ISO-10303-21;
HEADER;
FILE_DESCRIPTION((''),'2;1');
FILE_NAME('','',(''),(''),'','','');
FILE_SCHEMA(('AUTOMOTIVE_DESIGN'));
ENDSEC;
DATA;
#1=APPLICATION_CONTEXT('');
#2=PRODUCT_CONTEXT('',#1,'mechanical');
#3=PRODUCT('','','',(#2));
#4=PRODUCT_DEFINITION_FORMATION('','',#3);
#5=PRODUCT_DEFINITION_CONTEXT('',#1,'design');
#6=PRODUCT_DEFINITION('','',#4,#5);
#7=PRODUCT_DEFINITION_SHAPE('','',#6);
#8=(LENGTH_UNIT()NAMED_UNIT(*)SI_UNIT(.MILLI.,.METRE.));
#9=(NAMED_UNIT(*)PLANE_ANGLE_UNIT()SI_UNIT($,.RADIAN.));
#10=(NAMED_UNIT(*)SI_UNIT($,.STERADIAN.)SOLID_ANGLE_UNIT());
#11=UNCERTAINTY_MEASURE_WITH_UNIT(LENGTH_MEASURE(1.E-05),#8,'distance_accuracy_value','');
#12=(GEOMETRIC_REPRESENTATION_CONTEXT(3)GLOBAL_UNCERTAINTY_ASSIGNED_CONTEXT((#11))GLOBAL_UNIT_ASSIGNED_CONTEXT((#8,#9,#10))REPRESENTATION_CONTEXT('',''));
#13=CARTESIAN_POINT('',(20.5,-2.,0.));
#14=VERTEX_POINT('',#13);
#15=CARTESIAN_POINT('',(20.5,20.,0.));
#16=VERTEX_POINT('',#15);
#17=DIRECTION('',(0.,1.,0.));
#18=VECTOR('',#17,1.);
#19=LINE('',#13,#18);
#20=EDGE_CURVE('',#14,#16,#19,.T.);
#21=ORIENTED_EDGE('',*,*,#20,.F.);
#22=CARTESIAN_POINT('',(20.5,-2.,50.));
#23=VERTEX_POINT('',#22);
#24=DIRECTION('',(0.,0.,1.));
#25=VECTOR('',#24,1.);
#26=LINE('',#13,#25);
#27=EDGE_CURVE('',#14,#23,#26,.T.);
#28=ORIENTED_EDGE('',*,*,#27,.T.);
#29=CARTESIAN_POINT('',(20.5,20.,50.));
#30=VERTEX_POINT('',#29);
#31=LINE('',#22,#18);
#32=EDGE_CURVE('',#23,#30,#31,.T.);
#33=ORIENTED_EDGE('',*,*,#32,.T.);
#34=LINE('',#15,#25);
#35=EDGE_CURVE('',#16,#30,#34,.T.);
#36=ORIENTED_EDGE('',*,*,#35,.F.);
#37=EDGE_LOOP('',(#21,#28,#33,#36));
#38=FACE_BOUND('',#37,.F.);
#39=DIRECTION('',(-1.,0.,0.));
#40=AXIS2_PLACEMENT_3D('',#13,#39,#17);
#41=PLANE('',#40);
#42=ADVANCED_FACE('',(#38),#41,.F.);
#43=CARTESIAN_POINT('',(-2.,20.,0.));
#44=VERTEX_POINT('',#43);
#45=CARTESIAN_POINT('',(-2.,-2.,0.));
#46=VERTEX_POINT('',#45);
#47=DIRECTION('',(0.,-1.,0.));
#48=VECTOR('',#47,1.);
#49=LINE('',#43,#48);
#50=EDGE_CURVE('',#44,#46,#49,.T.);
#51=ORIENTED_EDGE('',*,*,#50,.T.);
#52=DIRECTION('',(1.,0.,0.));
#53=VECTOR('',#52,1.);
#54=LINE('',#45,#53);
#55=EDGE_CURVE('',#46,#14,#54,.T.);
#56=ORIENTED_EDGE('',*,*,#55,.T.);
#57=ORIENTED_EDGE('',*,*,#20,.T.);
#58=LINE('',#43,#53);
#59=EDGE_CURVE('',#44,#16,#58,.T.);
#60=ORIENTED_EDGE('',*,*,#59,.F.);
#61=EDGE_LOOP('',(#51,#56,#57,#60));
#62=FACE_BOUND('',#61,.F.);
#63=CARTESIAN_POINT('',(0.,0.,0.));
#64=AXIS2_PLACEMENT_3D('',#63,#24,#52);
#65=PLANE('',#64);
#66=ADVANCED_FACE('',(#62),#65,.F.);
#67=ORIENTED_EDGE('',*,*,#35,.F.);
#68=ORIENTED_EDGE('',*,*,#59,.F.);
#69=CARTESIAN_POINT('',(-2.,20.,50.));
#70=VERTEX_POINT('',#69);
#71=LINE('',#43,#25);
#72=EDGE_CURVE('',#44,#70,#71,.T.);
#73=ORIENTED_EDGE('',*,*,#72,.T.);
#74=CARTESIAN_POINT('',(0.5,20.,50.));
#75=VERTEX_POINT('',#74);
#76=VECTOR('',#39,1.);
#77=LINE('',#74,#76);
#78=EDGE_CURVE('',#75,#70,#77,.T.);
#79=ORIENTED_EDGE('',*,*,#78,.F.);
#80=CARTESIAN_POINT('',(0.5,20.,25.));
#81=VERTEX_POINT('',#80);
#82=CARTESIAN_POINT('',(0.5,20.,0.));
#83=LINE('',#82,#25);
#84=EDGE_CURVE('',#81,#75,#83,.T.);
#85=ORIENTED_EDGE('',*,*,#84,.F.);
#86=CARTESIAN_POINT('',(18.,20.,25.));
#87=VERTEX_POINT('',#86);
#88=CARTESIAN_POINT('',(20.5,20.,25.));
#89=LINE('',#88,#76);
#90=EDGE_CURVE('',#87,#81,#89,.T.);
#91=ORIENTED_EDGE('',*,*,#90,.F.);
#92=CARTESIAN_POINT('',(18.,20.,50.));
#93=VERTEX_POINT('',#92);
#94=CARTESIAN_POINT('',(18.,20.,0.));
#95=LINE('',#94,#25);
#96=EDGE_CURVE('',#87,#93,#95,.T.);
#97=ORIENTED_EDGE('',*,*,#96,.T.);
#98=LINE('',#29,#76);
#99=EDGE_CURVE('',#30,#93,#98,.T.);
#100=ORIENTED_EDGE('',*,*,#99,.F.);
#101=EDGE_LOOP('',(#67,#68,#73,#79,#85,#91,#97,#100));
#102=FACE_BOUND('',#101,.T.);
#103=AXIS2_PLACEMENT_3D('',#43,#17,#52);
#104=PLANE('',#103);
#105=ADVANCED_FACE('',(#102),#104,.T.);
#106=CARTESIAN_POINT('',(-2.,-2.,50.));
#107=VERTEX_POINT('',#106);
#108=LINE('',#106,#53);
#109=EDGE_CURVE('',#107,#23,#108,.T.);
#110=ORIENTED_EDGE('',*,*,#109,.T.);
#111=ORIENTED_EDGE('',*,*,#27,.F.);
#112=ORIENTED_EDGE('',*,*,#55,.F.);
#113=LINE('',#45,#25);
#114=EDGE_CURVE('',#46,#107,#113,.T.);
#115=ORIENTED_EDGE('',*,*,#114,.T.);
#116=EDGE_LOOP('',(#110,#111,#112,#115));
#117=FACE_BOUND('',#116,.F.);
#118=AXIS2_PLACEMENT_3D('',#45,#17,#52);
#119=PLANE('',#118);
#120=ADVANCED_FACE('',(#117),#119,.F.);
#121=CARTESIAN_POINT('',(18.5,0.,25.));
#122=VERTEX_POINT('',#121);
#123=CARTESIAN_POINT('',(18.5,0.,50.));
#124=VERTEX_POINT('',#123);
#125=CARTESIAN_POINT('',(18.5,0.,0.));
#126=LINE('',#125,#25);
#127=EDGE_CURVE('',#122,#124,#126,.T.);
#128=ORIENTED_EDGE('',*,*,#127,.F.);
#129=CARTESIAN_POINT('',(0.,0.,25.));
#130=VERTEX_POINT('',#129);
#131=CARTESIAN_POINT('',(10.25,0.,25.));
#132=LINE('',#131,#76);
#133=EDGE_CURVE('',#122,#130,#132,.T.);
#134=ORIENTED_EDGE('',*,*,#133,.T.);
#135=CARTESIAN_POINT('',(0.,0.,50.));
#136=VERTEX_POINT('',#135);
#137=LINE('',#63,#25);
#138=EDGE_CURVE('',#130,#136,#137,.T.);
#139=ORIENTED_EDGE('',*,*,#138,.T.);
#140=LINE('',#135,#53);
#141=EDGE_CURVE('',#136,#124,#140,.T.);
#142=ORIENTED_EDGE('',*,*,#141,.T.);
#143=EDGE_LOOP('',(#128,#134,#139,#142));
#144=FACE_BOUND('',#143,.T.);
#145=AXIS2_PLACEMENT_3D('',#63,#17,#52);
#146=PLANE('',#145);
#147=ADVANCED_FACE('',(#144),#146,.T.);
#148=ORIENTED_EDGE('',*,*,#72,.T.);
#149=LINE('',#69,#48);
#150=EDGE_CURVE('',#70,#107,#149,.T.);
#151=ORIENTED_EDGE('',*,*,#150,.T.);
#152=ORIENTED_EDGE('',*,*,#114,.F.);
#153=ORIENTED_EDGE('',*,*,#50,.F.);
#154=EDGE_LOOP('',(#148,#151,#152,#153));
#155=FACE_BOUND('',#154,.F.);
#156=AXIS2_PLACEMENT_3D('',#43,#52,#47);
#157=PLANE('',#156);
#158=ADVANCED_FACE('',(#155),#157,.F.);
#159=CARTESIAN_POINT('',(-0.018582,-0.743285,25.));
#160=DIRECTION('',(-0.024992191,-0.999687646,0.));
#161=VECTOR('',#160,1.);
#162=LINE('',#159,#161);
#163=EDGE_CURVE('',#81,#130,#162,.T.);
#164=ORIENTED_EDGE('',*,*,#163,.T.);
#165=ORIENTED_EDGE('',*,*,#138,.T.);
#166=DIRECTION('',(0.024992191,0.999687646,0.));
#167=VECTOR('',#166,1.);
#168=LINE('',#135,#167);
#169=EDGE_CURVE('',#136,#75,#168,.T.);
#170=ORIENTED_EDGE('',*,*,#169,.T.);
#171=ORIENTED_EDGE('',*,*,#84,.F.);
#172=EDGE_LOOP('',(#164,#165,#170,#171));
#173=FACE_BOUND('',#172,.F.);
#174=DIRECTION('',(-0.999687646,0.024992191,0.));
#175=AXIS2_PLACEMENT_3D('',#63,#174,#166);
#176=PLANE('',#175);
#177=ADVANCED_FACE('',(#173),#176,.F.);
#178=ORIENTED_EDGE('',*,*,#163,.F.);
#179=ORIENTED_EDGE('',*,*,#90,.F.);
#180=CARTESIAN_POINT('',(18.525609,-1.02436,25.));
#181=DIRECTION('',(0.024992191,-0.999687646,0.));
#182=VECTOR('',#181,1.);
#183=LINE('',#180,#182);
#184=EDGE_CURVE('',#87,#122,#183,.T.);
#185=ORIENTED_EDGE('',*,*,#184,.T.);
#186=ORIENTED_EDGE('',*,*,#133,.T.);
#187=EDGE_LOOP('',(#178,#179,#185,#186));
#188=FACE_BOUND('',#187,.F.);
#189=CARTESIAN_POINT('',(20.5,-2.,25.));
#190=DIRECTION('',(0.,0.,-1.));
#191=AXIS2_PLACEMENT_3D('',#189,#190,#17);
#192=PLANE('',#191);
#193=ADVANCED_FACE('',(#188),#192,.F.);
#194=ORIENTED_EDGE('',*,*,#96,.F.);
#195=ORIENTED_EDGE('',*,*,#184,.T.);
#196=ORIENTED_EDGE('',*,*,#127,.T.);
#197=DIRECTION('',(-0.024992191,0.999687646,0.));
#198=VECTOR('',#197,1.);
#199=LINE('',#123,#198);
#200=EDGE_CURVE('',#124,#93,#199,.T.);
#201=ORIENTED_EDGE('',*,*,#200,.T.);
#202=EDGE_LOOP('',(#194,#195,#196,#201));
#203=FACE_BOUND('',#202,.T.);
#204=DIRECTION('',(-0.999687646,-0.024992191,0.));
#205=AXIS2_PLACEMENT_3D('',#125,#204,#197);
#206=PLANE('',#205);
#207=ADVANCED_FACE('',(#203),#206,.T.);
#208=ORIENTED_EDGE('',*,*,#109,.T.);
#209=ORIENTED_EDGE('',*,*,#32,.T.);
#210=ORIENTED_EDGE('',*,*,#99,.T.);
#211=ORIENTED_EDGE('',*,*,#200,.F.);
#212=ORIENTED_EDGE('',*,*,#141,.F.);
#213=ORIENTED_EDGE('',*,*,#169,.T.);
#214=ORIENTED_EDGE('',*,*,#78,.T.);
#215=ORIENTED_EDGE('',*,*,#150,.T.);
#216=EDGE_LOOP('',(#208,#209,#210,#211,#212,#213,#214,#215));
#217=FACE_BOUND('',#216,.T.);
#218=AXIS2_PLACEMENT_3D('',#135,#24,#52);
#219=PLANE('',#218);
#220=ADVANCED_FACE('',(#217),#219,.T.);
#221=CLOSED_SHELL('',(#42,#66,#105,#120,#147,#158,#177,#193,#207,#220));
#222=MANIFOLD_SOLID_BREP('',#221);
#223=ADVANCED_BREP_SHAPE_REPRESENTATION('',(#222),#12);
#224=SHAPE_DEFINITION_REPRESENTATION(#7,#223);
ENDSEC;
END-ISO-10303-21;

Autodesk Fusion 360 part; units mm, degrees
sketch "Schizzo1" plane through (0, 0, 0) normal (0, 0, 1) x (1, 0, 0)
  line L0 (0, 0) -> (18.5, 0) construction
  line L1 (18.5, 0) -> (18.5, 20) construction
  line L2 (18.5, 20) -> (0, 20) construction
  line L3 (0, 20) -> (0, 0) construction
  line L4 (20.5, -2) -> (20.5, 20)
  line L5 (-2, 20) -> (-2, -2)
  line L6 (-2, -2) -> (20.5, -2)
  line L7 (-2, 20) -> (0, 20)
  line L8 (0, 20) -> (0, 0)
  line L9 (0, 0) -> (18.5, 0)
  line L10 (18.5, 0) -> (18.5, 20)
  line L11 (18.5, 20) -> (20.5, 20)
  line L12 (0, 20) -> (0.5, 20)
  line L13 (0, 0) -> (0.5, 20)
  line L14 (9.25, -2) -> (9.25, 20) construction
  line L15 (18.5, 0) -> (18, 20)
  line L16 (18.5, 20) -> (18, 20)
  point P0 (20.5, 20)
  dimension "d1" = 18.5
  dimension "d2" = 20
  dimension "d6" = 0.5
extrude "Estrusione1" add sketch "Schizzo1" along normal blind 50
sketch "Schizzo2" plane through (20.5, 0, 0) normal (1, 0, 0) x (0, 1, 0)
  line L0 (-2, 0) -> (20, 0)
  line L1 (20, 0) -> (20, 50)
  line L2 (20, 50) -> (-2, 50)
  line L3 (-2, 50) -> (-2, 0)
  line L4 (-2, 25) -> (20, 25) construction
  line L5 (-2, 0) -> (20, 0) construction
  line L6 (-2, 25) -> (20, 25)
  line L7 (20, 25) -> (20, 0)
  line L8 (20, 0) -> (-2, 0)
  line L9 (-2, 0) -> (-2, 25)
  dimension "d7" = 25
extrude "Estrusione2" add sketch "Schizzo2" against normal blind 22 contours L0 L1 L3 L6 L7 L8 L9
